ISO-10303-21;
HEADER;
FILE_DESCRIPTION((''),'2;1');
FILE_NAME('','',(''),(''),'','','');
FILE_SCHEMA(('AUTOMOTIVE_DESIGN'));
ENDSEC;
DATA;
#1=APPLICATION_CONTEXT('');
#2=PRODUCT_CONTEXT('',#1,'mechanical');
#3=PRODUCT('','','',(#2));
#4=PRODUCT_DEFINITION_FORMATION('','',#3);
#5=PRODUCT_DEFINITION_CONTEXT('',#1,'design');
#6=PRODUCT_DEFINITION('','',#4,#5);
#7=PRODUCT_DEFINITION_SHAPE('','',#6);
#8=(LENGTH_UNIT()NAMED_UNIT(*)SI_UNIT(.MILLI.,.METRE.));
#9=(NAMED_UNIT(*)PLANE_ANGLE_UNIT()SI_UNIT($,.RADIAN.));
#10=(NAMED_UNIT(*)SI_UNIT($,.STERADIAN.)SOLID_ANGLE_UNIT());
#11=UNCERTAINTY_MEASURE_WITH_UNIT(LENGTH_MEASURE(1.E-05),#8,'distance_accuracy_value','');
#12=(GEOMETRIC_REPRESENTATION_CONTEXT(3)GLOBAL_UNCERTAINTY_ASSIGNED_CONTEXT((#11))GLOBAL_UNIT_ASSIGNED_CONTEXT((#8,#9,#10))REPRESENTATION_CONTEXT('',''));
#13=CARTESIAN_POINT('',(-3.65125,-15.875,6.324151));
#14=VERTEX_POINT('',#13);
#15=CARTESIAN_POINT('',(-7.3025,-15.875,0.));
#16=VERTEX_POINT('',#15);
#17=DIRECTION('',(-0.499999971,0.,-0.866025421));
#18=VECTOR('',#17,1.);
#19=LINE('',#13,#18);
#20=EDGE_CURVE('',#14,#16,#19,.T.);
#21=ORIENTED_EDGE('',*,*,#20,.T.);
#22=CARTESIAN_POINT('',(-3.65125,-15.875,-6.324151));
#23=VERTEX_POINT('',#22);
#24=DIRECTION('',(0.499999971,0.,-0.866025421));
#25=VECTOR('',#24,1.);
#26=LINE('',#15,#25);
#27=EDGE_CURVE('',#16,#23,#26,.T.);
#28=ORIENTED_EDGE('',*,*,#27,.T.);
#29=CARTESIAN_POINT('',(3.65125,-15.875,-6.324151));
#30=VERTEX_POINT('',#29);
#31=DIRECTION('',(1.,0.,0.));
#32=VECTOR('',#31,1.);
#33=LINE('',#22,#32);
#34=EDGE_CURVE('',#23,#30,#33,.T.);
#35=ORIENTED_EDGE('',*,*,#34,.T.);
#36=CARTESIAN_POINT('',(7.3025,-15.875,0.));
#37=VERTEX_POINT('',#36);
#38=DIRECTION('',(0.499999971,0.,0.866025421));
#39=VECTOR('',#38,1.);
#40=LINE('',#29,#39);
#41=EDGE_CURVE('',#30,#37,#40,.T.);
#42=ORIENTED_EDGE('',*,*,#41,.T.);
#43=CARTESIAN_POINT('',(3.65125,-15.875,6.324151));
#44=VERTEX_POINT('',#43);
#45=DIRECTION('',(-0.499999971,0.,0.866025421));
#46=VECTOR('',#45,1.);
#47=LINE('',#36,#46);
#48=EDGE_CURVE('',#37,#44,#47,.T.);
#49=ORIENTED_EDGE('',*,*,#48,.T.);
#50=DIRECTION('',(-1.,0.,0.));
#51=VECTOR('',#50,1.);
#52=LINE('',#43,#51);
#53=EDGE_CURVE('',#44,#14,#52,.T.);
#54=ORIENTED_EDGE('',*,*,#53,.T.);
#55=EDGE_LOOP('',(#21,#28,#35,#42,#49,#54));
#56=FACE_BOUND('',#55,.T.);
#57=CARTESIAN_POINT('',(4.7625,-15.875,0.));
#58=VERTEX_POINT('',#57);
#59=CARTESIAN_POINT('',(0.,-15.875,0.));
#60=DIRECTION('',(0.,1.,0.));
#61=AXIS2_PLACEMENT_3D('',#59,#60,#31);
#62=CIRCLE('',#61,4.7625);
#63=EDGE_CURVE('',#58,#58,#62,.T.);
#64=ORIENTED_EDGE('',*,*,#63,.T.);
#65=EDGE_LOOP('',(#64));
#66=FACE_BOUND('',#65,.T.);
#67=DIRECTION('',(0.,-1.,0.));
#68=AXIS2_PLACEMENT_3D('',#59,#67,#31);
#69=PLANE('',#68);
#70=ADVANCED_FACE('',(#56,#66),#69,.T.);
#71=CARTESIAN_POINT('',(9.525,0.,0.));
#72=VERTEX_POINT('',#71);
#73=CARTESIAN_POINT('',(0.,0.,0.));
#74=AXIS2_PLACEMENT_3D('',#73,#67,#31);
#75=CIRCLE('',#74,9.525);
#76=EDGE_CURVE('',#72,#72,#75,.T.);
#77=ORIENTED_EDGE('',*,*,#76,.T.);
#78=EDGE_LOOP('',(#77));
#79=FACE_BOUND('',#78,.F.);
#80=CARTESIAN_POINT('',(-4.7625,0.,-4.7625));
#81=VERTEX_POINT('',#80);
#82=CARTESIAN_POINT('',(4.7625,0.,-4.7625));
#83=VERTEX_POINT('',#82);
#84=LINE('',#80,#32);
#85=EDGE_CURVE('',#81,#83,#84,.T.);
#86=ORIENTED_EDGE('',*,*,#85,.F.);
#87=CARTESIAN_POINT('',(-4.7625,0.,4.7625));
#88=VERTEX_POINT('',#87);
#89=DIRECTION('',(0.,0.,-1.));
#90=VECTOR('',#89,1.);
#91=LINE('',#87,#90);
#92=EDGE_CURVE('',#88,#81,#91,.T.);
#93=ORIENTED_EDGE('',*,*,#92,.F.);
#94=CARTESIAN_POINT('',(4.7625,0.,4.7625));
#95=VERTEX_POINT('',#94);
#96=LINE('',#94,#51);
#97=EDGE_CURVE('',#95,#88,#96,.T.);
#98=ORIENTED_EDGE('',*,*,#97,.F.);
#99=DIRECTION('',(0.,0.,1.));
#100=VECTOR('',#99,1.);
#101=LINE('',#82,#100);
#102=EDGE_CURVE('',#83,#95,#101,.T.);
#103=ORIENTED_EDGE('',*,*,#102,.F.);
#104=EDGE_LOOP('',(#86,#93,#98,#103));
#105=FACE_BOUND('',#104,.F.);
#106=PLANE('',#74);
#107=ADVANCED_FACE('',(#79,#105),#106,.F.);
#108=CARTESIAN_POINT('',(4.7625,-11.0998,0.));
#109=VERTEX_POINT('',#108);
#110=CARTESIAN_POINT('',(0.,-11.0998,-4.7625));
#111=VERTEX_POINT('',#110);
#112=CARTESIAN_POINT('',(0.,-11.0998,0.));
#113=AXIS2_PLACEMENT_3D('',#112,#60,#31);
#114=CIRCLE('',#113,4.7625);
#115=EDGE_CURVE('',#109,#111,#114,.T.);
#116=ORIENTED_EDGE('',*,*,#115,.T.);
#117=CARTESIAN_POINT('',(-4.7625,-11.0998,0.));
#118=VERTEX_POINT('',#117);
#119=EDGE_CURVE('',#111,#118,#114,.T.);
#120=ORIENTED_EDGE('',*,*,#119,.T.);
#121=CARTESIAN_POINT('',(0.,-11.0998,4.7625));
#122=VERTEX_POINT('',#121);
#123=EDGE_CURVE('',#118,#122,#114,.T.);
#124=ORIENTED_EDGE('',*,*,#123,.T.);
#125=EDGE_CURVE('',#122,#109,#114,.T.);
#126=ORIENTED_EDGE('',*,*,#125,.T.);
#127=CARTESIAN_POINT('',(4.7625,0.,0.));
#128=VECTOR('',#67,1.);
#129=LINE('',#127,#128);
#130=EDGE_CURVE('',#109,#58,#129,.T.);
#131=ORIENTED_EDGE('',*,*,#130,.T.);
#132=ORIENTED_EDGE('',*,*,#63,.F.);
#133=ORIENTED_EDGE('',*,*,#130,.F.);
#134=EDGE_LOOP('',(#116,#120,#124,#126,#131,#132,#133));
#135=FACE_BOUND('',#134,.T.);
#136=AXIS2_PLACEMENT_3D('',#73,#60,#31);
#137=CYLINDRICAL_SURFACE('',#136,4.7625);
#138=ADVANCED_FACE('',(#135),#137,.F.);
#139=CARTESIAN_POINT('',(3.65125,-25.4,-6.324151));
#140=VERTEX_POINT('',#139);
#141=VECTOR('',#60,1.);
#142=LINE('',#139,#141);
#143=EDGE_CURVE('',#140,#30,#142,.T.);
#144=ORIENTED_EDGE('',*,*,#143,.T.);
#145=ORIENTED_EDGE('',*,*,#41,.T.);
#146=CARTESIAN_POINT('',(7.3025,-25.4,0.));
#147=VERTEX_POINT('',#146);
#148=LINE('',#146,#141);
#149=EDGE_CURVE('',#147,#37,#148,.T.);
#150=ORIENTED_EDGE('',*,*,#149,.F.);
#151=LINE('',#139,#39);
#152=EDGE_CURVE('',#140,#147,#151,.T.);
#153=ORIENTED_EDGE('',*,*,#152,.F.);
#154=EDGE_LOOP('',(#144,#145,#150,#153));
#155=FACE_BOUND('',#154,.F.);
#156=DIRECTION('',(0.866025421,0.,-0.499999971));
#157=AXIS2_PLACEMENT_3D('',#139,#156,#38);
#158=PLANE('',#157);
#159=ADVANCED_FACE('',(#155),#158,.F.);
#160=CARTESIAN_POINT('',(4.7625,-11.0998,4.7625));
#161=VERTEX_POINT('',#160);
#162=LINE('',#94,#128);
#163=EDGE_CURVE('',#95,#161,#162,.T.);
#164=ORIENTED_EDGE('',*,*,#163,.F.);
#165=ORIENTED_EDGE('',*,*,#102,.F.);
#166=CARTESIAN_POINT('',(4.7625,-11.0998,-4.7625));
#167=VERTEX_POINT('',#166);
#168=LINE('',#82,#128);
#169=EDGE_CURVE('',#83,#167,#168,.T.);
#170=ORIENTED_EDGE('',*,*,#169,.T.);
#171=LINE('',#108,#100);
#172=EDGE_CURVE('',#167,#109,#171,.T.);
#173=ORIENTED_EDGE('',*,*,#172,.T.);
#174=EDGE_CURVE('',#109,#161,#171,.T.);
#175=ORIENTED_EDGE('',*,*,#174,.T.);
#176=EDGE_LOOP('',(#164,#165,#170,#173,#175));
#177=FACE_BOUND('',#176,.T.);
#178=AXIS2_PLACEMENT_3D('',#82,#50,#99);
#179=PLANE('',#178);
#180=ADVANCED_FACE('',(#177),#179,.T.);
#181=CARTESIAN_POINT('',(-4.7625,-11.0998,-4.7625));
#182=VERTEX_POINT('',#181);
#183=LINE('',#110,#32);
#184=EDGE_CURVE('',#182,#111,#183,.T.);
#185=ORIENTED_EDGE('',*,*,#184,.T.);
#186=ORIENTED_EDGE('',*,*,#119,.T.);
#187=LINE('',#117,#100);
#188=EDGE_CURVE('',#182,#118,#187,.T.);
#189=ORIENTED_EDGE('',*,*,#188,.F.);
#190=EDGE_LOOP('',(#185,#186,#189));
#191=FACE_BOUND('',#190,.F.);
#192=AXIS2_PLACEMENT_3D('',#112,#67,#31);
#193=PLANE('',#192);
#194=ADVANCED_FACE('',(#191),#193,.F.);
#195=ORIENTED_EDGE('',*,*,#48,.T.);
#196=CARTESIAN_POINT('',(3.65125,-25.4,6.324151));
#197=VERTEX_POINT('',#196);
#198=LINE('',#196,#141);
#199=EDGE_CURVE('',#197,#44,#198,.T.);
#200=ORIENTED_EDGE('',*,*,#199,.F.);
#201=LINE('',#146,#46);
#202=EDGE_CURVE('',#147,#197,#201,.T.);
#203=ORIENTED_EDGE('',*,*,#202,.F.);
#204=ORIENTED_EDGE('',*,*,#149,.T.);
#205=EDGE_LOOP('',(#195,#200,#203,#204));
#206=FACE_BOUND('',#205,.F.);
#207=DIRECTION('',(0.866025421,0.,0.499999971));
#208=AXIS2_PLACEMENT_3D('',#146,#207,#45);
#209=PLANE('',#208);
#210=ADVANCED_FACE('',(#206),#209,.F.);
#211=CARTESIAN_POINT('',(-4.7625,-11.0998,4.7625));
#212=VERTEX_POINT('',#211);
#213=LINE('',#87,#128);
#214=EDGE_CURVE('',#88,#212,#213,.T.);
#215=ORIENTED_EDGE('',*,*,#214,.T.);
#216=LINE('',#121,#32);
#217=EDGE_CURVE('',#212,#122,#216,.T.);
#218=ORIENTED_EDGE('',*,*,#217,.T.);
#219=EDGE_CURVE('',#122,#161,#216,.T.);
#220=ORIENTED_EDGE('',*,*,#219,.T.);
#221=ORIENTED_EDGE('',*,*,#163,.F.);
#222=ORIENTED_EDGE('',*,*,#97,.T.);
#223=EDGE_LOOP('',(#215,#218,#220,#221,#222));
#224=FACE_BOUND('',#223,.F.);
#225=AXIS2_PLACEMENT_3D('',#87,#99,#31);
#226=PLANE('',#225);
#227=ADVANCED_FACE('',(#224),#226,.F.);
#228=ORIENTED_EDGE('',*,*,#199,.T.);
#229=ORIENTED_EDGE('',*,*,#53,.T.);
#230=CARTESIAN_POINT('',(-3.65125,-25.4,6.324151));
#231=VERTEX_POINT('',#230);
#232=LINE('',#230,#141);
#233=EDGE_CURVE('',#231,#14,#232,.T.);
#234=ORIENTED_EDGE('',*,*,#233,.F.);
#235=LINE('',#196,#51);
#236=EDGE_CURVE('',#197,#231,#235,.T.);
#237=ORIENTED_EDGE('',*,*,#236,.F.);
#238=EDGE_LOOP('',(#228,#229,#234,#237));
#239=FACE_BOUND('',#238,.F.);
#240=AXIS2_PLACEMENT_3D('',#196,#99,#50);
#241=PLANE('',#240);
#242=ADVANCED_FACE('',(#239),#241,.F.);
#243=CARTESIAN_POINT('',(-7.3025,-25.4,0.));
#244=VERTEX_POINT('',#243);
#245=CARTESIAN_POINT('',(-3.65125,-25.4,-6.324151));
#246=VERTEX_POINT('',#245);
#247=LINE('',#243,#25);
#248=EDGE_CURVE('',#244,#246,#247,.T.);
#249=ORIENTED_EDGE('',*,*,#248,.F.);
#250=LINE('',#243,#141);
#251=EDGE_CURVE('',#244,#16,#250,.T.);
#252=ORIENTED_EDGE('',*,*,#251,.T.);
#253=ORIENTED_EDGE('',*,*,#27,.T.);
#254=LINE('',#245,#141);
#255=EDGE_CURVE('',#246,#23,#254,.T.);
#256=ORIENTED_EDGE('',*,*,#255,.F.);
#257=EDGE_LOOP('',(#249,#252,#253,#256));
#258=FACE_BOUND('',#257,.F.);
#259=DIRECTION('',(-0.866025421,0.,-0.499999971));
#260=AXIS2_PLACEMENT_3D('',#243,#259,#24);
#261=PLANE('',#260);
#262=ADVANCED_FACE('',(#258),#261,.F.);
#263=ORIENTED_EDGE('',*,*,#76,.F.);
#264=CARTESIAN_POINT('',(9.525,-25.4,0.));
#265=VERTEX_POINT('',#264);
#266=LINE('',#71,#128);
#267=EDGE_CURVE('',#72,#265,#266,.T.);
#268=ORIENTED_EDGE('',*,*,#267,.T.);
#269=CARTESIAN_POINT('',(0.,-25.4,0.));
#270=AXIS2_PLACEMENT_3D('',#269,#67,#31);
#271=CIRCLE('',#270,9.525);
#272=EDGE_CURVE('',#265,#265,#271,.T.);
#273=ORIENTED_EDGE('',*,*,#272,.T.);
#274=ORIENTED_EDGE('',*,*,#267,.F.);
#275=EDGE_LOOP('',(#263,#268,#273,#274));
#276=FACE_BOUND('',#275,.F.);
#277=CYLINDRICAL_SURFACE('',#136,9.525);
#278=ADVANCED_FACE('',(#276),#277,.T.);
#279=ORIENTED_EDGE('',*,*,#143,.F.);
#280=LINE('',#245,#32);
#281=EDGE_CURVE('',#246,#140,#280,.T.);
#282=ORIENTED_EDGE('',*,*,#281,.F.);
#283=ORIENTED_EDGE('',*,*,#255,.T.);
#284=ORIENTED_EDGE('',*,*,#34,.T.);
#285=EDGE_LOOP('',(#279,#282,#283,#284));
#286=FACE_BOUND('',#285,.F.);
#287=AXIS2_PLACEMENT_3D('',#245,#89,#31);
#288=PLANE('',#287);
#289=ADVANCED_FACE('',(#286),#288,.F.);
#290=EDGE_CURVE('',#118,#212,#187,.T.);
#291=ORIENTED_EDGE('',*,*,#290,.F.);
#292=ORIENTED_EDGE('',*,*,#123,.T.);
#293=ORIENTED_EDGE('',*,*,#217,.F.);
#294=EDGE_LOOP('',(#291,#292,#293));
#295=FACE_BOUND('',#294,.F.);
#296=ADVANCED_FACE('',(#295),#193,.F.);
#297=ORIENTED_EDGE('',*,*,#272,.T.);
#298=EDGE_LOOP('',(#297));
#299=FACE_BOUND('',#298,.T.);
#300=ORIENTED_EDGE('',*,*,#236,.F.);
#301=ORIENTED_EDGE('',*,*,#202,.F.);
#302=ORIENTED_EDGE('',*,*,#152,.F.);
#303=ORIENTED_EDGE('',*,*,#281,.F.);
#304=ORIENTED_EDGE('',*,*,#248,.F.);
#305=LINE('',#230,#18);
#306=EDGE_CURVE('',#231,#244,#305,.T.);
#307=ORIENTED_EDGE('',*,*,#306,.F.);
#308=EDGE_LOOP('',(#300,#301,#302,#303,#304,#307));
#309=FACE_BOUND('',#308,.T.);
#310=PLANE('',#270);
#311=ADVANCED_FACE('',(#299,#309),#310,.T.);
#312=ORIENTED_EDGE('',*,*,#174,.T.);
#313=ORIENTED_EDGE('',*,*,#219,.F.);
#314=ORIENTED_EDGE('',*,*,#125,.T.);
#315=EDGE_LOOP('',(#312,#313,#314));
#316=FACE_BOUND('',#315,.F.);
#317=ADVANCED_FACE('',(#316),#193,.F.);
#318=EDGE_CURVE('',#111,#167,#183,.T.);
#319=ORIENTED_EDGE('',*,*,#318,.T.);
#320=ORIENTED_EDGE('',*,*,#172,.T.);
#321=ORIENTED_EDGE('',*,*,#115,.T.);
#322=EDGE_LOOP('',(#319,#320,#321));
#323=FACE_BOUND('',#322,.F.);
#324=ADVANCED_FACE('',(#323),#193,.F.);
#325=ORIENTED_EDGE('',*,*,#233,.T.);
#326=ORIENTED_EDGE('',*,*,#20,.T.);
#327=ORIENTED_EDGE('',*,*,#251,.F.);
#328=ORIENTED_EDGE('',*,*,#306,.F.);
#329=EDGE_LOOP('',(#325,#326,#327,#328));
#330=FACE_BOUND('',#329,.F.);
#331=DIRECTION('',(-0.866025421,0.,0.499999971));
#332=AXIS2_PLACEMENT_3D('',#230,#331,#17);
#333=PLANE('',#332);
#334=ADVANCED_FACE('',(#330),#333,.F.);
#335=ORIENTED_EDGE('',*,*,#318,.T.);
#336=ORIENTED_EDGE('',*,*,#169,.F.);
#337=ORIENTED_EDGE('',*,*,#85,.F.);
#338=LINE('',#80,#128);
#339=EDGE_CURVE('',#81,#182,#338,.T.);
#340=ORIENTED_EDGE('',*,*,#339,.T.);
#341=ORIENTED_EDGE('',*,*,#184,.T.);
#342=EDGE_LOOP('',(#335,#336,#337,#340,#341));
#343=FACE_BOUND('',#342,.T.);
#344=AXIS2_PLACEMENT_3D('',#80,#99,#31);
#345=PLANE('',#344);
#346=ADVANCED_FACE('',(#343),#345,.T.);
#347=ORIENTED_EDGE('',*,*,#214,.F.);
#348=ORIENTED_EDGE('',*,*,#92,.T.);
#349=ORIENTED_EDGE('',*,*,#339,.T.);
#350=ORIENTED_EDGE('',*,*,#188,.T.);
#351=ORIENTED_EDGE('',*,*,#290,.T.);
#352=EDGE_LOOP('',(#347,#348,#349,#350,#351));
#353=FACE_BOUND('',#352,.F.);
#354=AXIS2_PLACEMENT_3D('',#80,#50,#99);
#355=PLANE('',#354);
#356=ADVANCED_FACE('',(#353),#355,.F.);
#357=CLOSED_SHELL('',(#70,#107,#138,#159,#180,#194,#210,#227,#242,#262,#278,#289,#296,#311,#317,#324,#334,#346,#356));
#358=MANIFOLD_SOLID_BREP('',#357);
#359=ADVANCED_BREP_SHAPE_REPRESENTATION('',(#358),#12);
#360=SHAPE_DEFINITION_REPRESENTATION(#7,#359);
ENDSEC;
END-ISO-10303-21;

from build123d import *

# Parameters (mm, degrees)
F0_R     = 9.525
F1_DEPTH = 25.4
F3_R     = 4.7625
F4_DEPTH = 25.401
F2_W     = 9.525
F2_H     = 9.525
F5_DEPTH = 11.0998
F7_DEPTH = 9.525


with BuildPart() as f1:
    # F0 (on Front) → F1 (new body)
    with BuildSketch(Plane.XZ):
        Circle(F0_R)
    extrude(amount=F1_DEPTH)

    # F3 (on Front) → F4 (cut, through all)
    with BuildSketch(Plane.XZ):
        Circle(F3_R)
    extrude(amount=F4_DEPTH, mode=Mode.SUBTRACT)

    # F2 (on Front) → F5 (cut)
    with BuildSketch(Plane.XZ):
        Rectangle(F2_W, F2_H)
    extrude(amount=F5_DEPTH, mode=Mode.SUBTRACT)

    # F6 (on face) → F7 (cut)
    with BuildSketch(Plane.XZ.offset(25.4)):
        Polygon((3.65125, 6.324151), (-3.65125, 6.324151), (-7.3025, 0), (-3.65125, -6.324151), (3.65125, -6.324151), (7.3025, 0), align=None)
    extrude(amount=-F7_DEPTH, mode=Mode.SUBTRACT)


solid = f1.part
